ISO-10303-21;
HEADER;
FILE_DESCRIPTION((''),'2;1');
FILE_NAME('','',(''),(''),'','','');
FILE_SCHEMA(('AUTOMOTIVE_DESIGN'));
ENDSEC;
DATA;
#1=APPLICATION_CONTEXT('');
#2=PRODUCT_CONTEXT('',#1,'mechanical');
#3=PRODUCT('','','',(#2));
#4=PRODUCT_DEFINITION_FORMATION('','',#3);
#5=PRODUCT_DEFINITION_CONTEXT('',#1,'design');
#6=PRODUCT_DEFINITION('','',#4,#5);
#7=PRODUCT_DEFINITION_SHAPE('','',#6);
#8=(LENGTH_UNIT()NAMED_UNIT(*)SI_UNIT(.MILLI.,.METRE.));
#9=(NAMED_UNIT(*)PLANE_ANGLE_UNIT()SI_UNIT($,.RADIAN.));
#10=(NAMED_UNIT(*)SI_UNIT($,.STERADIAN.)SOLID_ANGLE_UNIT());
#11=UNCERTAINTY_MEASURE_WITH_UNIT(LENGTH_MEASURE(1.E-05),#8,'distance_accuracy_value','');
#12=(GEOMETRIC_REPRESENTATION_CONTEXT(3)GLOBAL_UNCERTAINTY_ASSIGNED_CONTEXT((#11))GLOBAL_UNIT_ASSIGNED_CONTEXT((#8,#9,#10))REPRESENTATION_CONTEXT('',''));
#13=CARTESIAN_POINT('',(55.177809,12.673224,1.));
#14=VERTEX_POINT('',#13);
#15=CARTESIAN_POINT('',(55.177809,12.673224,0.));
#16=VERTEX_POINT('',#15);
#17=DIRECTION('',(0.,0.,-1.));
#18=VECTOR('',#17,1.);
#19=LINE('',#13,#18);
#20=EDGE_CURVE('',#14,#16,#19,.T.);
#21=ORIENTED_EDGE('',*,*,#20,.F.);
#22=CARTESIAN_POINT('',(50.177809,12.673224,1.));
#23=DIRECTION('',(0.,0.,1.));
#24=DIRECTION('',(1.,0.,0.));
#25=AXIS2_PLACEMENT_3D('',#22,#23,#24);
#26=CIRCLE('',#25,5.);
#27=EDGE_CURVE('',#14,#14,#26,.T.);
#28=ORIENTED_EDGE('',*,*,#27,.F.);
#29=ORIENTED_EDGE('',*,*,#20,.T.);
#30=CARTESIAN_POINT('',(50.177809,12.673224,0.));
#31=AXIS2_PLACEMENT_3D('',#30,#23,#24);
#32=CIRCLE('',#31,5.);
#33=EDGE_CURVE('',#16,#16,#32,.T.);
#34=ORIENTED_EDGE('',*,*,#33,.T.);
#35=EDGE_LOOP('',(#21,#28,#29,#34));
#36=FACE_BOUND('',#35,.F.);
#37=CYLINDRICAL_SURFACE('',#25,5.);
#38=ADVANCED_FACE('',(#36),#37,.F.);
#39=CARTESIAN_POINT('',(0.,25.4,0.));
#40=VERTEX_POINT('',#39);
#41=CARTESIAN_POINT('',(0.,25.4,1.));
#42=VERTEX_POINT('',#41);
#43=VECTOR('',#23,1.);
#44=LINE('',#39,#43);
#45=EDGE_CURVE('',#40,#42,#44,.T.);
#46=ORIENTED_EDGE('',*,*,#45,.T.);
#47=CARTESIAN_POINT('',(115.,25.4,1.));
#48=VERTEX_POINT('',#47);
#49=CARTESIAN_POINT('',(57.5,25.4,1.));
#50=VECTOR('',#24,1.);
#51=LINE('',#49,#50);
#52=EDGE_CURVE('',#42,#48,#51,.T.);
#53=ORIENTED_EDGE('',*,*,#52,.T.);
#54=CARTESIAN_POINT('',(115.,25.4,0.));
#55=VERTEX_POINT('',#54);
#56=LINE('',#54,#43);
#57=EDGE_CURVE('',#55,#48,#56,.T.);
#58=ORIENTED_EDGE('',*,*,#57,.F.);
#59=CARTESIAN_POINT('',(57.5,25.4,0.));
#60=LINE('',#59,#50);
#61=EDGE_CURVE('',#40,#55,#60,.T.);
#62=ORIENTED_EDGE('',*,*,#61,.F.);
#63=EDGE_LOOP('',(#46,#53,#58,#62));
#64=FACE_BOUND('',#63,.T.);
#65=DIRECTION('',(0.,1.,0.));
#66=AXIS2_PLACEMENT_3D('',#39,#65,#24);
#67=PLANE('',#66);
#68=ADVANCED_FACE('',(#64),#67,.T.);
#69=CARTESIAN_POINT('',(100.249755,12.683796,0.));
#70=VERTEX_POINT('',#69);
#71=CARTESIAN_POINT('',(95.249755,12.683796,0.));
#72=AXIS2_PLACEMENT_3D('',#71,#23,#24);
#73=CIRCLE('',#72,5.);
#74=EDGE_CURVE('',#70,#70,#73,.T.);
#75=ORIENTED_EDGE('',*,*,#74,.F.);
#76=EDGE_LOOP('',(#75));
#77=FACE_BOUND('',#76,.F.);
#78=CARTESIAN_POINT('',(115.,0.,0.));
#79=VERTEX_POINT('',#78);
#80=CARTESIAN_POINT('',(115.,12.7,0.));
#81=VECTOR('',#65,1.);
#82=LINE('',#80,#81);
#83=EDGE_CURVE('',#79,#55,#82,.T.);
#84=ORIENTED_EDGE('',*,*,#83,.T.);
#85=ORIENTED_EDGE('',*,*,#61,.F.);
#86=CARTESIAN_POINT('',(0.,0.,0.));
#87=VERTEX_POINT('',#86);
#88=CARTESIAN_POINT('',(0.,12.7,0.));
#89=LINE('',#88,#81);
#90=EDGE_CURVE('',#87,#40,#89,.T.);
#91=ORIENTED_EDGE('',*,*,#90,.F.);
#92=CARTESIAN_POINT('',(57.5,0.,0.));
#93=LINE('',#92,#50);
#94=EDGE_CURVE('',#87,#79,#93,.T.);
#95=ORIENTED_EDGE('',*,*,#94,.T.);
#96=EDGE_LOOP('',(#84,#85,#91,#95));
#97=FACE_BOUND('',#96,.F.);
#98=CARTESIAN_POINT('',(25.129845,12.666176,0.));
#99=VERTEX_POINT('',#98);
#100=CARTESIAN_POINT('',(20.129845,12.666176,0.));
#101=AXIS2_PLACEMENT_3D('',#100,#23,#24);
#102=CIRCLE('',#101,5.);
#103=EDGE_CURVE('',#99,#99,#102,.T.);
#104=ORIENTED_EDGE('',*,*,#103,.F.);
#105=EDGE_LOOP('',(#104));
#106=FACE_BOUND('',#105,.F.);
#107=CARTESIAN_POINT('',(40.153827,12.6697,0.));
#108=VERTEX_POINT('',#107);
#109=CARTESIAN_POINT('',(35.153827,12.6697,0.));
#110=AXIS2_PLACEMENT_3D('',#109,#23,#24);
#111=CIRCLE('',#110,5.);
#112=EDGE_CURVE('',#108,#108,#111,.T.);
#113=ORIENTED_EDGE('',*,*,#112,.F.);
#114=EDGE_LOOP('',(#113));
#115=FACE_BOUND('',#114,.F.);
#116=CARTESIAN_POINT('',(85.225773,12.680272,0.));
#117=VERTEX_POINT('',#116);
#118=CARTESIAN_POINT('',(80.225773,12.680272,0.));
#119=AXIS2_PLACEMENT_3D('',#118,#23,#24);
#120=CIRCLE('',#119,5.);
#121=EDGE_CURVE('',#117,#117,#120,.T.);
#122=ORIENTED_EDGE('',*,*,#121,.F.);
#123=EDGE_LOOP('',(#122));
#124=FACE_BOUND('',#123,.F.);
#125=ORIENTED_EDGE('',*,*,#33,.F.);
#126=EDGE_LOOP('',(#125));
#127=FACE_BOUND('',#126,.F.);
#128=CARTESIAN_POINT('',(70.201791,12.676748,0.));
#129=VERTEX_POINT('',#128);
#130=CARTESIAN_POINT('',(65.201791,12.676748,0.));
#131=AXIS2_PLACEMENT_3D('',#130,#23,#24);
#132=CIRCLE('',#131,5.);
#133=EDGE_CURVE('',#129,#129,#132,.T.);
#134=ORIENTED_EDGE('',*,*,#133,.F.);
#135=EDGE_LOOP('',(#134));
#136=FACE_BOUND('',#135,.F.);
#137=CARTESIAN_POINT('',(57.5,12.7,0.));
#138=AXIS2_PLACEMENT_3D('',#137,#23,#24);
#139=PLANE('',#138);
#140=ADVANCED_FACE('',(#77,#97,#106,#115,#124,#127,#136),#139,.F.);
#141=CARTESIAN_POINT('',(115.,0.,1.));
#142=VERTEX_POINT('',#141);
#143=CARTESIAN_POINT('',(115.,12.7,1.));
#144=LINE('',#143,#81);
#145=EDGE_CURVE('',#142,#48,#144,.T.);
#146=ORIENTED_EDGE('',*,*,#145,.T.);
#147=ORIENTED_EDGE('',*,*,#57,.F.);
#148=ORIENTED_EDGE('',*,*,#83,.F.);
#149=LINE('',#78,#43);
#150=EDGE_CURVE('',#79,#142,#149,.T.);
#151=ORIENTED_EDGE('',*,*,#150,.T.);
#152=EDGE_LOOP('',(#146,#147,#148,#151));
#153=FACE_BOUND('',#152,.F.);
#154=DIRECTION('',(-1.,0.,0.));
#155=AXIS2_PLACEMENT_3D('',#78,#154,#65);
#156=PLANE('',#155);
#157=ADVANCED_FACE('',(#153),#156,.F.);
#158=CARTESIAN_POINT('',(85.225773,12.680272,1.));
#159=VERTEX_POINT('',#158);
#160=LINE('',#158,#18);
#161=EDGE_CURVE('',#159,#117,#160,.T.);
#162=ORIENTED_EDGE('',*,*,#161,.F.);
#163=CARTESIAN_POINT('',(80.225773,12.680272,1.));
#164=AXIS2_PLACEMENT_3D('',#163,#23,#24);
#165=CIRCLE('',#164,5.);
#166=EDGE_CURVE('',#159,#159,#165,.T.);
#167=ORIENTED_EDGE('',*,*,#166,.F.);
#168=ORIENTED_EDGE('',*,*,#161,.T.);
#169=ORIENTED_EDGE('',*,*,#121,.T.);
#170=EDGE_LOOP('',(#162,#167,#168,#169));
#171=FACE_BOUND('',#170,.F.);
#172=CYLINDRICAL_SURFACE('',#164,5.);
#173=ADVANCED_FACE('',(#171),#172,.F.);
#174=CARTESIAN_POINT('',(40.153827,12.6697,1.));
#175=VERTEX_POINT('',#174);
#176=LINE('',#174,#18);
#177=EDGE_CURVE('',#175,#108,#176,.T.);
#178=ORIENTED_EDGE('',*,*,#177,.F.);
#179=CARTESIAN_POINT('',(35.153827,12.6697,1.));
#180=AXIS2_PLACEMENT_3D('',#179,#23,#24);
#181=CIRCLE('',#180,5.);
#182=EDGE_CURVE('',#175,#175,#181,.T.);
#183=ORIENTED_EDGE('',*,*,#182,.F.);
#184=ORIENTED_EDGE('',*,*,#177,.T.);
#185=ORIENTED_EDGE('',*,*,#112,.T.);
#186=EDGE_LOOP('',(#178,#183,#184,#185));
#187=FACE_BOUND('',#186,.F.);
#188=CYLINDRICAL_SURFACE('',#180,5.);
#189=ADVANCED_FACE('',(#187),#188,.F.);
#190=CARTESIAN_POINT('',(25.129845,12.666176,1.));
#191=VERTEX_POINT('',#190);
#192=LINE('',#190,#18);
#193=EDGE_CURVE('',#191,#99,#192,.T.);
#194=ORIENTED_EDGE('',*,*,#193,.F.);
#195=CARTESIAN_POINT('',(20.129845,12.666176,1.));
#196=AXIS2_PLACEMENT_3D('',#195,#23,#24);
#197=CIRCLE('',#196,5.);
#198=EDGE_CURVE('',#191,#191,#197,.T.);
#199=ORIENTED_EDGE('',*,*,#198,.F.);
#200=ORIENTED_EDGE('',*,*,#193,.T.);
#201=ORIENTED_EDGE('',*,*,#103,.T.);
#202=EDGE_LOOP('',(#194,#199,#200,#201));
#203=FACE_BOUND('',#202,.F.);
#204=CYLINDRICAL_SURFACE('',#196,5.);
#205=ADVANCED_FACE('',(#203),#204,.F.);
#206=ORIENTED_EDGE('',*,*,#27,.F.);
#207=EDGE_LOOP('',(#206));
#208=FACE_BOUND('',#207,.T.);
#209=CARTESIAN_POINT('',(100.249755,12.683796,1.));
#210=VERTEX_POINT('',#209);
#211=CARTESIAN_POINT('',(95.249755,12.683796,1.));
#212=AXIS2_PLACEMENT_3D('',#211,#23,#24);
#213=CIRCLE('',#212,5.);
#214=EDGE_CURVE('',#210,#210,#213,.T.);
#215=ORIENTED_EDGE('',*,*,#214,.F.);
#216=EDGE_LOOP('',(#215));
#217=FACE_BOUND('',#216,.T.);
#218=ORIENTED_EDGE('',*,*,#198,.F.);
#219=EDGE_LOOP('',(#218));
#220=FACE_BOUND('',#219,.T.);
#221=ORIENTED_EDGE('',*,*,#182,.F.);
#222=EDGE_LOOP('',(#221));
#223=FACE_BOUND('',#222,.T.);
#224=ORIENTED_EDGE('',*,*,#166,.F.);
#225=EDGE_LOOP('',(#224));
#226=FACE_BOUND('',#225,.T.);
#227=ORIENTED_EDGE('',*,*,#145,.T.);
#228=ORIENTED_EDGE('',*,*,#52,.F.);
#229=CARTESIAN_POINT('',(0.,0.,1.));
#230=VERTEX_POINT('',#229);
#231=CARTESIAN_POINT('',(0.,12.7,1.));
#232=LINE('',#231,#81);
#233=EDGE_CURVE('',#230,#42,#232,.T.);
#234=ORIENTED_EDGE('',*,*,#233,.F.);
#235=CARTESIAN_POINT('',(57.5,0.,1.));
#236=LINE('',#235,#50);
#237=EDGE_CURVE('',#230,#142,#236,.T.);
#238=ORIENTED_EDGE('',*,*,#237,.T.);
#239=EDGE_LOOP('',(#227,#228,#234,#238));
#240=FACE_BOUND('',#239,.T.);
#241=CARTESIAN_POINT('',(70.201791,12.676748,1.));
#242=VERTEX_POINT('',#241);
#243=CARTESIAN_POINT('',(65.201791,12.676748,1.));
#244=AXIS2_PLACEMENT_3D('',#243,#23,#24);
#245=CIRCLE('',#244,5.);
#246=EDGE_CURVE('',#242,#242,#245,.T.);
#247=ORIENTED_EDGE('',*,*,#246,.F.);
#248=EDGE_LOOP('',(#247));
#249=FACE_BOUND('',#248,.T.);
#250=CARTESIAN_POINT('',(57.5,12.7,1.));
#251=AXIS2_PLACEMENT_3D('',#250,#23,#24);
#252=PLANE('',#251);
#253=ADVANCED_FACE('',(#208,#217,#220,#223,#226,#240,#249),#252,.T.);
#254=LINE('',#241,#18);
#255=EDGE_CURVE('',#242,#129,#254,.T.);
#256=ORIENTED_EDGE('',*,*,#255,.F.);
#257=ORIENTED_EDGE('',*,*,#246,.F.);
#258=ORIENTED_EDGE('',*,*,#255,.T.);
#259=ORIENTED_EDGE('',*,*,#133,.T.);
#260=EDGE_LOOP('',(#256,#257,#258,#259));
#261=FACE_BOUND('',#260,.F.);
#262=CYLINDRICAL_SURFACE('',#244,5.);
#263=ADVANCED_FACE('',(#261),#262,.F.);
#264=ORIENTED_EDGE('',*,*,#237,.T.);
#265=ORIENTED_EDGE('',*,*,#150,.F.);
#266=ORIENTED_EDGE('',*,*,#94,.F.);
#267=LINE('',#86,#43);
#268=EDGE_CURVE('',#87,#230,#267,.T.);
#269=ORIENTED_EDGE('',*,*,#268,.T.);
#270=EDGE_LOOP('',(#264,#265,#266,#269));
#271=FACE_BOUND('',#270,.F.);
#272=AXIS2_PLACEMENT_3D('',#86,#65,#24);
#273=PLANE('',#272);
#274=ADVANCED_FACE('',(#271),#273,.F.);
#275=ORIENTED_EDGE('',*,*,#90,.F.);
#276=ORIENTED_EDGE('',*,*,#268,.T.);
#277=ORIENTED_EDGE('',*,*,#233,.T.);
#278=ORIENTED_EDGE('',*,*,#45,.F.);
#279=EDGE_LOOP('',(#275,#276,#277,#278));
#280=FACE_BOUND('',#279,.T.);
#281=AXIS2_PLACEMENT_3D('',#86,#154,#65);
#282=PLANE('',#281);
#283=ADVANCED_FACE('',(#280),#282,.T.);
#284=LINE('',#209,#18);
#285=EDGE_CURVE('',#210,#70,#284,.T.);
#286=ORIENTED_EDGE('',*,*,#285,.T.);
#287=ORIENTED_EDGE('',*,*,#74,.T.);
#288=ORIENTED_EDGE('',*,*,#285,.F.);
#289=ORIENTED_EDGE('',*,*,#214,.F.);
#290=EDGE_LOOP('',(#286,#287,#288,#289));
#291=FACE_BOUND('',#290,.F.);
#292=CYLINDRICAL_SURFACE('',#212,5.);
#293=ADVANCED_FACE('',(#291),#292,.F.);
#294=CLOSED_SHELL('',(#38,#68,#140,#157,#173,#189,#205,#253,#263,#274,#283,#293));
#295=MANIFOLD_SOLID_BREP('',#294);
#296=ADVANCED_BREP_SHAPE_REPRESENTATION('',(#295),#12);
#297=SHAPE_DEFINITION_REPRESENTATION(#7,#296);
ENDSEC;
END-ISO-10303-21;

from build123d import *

# Parameters (mm, degrees)
BOX_W        = 115
BOX_H        = 25.4
BOX_DEPTH    = 1
SKETCH_R     = 5
POCKET_DEPTH = 5


with BuildPart() as part:
    # Box → Box (new body)
    with BuildSketch(Plane.XY):
        with Locations((57.5, 12.7)):
            Rectangle(BOX_W, BOX_H)
    extrude(amount=BOX_DEPTH)

    # Sketch (on Face6 of BaseFeature) → Pocket (cut)
    with BuildSketch(Plane.XY.offset(1)):
        with Locations((20.129845, 12.666176)):
            Circle(SKETCH_R)
        with Locations((35.153827, 12.6697)):
            Circle(SKETCH_R)
        with Locations((50.177809, 12.673224)):
            Circle(SKETCH_R)
        with Locations((65.201791, 12.676748)):
            Circle(SKETCH_R)
        with Locations((80.225773, 12.680272)):
            Circle(SKETCH_R)
        with Locations((95.249755, 12.683796)):
            Circle(SKETCH_R)
    extrude(amount=-POCKET_DEPTH, mode=Mode.SUBTRACT)


solid = part.part
